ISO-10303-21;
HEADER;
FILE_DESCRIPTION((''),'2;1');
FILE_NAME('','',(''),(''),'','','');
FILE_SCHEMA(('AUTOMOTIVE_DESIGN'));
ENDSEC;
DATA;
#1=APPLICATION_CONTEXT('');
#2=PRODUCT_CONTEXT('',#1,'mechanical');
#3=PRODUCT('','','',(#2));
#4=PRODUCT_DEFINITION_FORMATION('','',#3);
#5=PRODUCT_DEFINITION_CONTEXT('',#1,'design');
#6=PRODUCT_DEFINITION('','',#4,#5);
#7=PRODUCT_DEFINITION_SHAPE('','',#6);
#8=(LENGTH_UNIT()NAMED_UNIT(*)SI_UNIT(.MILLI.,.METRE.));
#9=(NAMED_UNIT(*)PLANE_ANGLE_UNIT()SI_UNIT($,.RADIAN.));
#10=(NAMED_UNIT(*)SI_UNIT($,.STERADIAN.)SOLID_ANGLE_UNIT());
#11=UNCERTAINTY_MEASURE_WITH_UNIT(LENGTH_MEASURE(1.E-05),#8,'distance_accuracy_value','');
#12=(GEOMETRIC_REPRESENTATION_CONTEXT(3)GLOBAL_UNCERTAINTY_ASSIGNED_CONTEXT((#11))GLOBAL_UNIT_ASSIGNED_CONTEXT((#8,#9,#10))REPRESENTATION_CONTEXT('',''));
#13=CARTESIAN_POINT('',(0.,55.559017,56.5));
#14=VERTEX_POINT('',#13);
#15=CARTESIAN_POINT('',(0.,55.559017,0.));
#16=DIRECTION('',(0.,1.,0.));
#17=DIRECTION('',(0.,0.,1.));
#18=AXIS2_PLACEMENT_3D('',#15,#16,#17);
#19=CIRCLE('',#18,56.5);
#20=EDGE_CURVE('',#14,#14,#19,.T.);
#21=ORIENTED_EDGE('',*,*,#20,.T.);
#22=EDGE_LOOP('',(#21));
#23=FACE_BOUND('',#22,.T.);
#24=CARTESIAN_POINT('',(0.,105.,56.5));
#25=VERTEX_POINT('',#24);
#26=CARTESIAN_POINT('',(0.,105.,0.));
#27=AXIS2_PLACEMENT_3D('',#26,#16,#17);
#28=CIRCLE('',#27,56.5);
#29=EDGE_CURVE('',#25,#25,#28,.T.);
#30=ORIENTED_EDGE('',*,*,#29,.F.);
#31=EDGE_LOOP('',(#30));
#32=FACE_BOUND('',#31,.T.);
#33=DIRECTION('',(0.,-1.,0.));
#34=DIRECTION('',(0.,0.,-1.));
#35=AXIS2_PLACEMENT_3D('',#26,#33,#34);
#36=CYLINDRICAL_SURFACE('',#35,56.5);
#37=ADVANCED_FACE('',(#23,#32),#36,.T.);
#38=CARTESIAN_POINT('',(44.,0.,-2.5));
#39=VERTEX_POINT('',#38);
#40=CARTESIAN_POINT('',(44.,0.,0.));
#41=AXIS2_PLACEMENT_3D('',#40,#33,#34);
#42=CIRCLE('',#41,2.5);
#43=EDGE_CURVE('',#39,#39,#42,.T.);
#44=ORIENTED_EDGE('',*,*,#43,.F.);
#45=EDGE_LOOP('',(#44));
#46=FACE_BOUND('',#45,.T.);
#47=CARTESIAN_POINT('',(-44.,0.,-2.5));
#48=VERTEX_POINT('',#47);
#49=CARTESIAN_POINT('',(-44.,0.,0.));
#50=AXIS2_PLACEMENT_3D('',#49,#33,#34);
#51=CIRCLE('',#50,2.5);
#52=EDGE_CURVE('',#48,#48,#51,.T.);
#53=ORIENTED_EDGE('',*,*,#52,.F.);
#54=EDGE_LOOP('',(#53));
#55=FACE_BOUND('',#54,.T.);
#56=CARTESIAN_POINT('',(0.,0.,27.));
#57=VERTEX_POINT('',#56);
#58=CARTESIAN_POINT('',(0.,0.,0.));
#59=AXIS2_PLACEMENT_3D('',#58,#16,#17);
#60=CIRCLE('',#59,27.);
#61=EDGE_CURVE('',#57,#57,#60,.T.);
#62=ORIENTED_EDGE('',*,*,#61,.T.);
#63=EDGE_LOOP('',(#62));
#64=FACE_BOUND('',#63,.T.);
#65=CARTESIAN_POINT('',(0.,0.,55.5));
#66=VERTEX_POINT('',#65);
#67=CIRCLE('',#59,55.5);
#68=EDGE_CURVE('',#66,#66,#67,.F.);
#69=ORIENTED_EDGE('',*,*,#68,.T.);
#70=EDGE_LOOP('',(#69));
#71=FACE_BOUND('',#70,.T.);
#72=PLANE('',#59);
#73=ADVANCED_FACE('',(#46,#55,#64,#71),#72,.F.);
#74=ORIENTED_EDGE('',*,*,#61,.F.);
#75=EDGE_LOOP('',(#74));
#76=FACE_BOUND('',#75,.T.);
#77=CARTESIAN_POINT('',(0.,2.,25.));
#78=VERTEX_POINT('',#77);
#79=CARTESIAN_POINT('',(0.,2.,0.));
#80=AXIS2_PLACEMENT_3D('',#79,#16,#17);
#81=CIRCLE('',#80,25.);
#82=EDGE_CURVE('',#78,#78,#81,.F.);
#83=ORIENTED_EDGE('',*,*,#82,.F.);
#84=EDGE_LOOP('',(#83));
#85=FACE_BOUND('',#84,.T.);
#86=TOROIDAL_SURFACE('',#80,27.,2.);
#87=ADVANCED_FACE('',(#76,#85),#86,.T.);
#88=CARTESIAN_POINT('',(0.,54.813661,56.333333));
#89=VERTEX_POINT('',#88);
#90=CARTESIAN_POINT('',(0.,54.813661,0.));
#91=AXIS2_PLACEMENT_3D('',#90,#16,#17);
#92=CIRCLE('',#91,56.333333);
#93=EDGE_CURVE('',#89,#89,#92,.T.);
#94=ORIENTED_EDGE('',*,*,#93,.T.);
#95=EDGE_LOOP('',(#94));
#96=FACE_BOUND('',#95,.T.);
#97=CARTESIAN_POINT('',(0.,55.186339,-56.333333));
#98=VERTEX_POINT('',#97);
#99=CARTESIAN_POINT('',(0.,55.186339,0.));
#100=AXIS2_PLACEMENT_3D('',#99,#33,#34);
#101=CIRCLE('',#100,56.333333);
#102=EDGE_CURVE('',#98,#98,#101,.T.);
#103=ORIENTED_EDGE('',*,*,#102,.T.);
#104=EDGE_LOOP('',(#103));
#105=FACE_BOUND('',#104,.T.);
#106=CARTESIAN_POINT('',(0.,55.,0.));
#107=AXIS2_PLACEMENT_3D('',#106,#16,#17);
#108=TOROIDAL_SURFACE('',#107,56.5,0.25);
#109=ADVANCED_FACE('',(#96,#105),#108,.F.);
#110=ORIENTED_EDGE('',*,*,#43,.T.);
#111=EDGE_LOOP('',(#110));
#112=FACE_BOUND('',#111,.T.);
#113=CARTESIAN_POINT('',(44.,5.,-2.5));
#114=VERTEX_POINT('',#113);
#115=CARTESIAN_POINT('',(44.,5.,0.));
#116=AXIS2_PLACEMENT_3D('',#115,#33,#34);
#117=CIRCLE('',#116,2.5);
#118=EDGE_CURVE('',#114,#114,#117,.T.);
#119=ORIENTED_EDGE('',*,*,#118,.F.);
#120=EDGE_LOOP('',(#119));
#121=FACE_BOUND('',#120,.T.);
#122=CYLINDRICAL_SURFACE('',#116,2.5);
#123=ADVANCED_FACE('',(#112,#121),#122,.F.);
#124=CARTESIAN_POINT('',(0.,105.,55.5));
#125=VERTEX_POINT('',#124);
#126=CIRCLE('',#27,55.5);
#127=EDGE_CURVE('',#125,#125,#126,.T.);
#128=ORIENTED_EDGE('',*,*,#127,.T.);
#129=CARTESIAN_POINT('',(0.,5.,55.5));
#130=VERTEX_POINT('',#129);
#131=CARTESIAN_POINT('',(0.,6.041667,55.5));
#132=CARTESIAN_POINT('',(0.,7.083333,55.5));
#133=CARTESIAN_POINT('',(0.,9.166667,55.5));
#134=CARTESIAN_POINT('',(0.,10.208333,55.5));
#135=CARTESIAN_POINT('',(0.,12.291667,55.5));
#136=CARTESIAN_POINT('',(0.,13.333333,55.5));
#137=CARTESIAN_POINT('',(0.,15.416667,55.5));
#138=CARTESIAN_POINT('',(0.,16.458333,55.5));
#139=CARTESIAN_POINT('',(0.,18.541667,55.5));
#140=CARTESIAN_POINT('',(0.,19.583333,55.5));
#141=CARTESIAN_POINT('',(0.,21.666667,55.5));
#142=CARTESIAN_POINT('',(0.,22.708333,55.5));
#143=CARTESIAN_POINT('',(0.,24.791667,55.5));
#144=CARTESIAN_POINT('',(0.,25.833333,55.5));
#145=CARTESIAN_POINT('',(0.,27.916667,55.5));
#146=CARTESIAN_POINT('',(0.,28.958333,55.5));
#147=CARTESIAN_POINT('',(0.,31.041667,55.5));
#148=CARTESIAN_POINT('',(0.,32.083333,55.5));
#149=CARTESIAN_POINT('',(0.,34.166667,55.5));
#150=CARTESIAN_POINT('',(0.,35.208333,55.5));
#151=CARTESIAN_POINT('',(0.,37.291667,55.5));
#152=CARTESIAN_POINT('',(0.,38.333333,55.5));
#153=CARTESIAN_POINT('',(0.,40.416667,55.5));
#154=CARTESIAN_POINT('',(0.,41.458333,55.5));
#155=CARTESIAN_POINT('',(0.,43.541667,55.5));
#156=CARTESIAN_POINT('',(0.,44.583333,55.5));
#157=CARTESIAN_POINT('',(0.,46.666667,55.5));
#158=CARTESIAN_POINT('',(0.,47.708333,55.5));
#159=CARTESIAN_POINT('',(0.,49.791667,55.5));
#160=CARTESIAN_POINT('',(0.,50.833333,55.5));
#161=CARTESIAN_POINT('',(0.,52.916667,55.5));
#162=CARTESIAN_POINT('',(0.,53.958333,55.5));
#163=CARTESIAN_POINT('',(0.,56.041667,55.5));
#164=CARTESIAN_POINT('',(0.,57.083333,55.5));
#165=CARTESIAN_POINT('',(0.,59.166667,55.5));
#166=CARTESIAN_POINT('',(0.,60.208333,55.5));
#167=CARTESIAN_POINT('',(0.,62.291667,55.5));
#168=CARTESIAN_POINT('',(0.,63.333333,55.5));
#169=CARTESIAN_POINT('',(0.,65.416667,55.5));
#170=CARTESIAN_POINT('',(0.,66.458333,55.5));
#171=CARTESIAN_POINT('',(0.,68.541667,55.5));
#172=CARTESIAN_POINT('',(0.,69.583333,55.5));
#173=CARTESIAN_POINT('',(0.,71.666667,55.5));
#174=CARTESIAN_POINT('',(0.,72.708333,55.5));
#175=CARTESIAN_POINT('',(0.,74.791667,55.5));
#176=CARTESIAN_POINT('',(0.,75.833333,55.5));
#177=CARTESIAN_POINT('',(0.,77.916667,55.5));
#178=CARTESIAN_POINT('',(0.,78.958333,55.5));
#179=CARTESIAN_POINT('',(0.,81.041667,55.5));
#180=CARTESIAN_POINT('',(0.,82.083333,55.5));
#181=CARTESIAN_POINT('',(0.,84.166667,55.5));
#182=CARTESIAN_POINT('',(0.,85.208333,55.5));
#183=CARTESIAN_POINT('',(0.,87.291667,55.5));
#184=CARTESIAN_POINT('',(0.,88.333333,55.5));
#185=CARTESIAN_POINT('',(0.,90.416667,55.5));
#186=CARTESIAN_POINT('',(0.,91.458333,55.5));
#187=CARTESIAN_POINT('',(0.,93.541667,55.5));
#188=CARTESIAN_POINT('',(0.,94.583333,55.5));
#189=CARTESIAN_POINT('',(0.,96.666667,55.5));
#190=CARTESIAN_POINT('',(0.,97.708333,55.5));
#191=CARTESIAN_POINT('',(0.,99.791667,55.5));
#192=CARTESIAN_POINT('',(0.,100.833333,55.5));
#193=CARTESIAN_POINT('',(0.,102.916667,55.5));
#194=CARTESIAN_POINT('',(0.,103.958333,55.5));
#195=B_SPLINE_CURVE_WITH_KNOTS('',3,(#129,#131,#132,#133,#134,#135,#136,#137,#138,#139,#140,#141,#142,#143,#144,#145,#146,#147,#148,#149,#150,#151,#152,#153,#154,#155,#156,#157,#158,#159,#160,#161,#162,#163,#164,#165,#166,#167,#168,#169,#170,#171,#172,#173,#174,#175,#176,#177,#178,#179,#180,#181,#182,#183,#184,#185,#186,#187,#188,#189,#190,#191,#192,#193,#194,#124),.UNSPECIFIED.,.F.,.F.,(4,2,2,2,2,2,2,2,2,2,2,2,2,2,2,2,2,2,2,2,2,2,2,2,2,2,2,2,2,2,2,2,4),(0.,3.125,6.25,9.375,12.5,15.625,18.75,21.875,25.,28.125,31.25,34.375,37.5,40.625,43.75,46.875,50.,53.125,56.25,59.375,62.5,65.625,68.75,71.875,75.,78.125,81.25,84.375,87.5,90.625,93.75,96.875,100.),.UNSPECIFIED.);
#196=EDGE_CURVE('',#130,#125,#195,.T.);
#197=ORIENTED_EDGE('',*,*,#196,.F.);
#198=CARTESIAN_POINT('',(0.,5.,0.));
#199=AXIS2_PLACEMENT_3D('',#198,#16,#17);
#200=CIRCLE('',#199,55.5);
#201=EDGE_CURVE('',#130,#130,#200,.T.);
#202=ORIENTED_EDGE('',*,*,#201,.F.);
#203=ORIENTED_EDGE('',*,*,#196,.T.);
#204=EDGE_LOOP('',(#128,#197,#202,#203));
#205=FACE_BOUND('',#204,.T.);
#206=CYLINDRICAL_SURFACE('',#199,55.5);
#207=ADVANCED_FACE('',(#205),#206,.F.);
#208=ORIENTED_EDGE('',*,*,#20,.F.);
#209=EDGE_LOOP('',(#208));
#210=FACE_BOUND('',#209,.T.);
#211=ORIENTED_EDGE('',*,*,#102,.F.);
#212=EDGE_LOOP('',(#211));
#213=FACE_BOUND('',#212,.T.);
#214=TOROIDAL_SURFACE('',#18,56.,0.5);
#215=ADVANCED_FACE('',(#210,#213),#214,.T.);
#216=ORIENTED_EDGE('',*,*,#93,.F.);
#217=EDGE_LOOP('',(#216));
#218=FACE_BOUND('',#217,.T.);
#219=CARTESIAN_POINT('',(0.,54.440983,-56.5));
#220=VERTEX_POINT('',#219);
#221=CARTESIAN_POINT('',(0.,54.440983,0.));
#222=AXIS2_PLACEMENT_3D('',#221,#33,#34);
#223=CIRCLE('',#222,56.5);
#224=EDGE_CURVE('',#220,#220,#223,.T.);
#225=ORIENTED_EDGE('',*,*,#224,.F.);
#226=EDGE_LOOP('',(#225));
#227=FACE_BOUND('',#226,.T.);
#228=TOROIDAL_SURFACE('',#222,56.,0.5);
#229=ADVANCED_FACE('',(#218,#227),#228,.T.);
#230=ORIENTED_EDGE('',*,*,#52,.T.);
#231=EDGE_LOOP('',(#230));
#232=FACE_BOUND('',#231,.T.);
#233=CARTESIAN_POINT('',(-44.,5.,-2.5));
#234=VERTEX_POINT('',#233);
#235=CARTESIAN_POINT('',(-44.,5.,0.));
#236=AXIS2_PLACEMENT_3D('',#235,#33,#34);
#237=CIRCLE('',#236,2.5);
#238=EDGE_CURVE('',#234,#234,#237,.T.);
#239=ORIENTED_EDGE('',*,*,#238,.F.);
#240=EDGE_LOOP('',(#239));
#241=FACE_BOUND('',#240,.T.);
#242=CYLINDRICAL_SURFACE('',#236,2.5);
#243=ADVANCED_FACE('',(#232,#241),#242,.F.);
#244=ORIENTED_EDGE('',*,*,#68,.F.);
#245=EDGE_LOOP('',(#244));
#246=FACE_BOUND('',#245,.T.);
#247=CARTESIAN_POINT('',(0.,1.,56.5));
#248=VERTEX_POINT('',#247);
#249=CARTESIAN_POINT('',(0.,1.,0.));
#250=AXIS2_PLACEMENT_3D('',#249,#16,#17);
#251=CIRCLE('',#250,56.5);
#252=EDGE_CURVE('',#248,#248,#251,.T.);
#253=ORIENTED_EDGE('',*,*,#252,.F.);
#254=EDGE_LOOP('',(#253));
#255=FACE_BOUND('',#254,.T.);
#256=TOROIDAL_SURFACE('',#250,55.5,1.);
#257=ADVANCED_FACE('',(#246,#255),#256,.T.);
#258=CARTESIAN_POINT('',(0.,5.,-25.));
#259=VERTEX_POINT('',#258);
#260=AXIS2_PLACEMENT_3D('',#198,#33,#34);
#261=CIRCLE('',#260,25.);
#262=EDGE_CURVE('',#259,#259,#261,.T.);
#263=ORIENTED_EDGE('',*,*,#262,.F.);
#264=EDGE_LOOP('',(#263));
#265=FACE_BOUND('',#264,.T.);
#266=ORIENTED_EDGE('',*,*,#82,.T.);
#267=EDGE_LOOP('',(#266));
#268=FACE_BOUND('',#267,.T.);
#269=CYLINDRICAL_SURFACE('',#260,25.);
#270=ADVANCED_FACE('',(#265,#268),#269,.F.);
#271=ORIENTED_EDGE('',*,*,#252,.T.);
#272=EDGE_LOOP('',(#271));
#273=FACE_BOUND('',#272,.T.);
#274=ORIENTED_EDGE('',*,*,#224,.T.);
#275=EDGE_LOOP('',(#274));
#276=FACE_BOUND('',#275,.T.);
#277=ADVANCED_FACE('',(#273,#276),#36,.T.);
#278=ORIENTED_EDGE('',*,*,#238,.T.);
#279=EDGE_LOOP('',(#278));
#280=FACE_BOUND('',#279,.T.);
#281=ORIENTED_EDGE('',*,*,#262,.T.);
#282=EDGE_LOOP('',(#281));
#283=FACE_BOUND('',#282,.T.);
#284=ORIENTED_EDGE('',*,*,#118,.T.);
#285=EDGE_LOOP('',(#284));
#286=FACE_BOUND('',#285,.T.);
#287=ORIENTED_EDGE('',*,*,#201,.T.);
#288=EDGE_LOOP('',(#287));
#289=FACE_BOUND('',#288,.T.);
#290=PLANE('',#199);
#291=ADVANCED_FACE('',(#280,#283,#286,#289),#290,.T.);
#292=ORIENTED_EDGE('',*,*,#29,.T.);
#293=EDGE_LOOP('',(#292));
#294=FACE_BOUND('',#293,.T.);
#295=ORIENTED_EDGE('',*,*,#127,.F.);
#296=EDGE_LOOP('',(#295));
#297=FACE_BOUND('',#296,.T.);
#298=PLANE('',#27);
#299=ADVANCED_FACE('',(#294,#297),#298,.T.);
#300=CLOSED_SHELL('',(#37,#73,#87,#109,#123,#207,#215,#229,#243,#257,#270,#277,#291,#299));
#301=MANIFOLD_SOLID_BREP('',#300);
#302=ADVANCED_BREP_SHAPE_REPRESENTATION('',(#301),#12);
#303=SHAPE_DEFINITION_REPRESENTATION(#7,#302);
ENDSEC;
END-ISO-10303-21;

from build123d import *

# Parameters (mm, degrees)
SKETCH1_R           = 56.5
BOSS_EXTRUDE1_DEPTH = 105
SKETCH2_R           = 55.5
CUT_EXTRUDE1_DEPTH  = 100
SKETCH3_R           = 25
CUT_EXTRUDE2_DEPTH  = 5
SKETCH4_R           = 2.5
CUT_EXTRUDE3_DEPTH  = 5
SKETCH8_R           = 0.25
FILLET1_R           = 2
FILLET2_R           = 1
FILLET3_R           = 0.5
FILLET4_R           = 0.5


with BuildPart() as part:
    # Sketch1 → Boss-Extrude1 (new body)
    with BuildSketch(Plane(origin=(0, 0, 0), x_dir=(1, 0, 0), z_dir=(0, 1, 0))):
        with Locations(Location((0, 0, 0), (0, 0, 270))):
            Circle(SKETCH1_R)
    extrude(amount=BOSS_EXTRUDE1_DEPTH)

    # Sketch2 → Cut-Extrude1 (cut)
    with BuildSketch(Plane(origin=(0, 105, 0), x_dir=(1, 0, 0), z_dir=(0, 1, 0))):
        with Locations(Location((0, 0, 0), (0, 0, 270))):
            Circle(SKETCH2_R)
    extrude(amount=-CUT_EXTRUDE1_DEPTH, mode=Mode.SUBTRACT)

    # Sketch3 → Cut-Extrude2 (cut)
    with BuildSketch(Plane.XZ):
        with Locations(Location((0, 0, 0), (0, 0, 270))):
            Circle(SKETCH3_R)
    extrude(amount=-CUT_EXTRUDE2_DEPTH, mode=Mode.SUBTRACT)

    # Sketch4 → Cut-Extrude3 (cut)
    with BuildSketch(Plane.XZ):
        with Locations(Location((44, 0, 0), (0, 0, 270))):
            Circle(SKETCH4_R)
        with Locations(Location((-44, 0, 0), (0, 0, 270))):
            Circle(SKETCH4_R)
    extrude(amount=-CUT_EXTRUDE3_DEPTH, mode=Mode.SUBTRACT)

    # Sketch8 → Cut-Revolve2 (revolve, cut)
    with BuildSketch(Plane(origin=(0, 0, 0), x_dir=(0, 0, -1), z_dir=(1, 0, 0)), mode=Mode.PRIVATE) as cut_revolve2_sk:
        with Locations((56.5, 55)):
            Circle(SKETCH8_R)
    revolve(cut_revolve2_sk.sketch.rotate(Axis((0, 105, 0), (0, -1, 0)), 180), axis=Axis((0, 105, 0), (0, -1, 0)), mode=Mode.SUBTRACT)

    # Fillet1
    fillet1_edges = [part.edges().sort_by_distance(p)[0] for p in [
        (0, 0, 25),
    ]]
    fillet(fillet1_edges, radius=FILLET1_R)

    # Fillet2
    fillet2_edges = [part.edges().sort_by_distance(p)[0] for p in [
        (0, 0, -56.5),
    ]]
    fillet(fillet2_edges, radius=FILLET2_R)

    # Fillet3
    fillet3_edges = [part.edges().sort_by_distance(p)[0] for p in [
        (0, 54.75, -56.5),
    ]]
    fillet(fillet3_edges, radius=FILLET3_R)

    # Fillet4
    fillet4_edges = [part.edges().sort_by_distance(p)[0] for p in [
        (0, 55.25, -56.5),
    ]]
    fillet(fillet4_edges, radius=FILLET4_R)


solid = part.part
